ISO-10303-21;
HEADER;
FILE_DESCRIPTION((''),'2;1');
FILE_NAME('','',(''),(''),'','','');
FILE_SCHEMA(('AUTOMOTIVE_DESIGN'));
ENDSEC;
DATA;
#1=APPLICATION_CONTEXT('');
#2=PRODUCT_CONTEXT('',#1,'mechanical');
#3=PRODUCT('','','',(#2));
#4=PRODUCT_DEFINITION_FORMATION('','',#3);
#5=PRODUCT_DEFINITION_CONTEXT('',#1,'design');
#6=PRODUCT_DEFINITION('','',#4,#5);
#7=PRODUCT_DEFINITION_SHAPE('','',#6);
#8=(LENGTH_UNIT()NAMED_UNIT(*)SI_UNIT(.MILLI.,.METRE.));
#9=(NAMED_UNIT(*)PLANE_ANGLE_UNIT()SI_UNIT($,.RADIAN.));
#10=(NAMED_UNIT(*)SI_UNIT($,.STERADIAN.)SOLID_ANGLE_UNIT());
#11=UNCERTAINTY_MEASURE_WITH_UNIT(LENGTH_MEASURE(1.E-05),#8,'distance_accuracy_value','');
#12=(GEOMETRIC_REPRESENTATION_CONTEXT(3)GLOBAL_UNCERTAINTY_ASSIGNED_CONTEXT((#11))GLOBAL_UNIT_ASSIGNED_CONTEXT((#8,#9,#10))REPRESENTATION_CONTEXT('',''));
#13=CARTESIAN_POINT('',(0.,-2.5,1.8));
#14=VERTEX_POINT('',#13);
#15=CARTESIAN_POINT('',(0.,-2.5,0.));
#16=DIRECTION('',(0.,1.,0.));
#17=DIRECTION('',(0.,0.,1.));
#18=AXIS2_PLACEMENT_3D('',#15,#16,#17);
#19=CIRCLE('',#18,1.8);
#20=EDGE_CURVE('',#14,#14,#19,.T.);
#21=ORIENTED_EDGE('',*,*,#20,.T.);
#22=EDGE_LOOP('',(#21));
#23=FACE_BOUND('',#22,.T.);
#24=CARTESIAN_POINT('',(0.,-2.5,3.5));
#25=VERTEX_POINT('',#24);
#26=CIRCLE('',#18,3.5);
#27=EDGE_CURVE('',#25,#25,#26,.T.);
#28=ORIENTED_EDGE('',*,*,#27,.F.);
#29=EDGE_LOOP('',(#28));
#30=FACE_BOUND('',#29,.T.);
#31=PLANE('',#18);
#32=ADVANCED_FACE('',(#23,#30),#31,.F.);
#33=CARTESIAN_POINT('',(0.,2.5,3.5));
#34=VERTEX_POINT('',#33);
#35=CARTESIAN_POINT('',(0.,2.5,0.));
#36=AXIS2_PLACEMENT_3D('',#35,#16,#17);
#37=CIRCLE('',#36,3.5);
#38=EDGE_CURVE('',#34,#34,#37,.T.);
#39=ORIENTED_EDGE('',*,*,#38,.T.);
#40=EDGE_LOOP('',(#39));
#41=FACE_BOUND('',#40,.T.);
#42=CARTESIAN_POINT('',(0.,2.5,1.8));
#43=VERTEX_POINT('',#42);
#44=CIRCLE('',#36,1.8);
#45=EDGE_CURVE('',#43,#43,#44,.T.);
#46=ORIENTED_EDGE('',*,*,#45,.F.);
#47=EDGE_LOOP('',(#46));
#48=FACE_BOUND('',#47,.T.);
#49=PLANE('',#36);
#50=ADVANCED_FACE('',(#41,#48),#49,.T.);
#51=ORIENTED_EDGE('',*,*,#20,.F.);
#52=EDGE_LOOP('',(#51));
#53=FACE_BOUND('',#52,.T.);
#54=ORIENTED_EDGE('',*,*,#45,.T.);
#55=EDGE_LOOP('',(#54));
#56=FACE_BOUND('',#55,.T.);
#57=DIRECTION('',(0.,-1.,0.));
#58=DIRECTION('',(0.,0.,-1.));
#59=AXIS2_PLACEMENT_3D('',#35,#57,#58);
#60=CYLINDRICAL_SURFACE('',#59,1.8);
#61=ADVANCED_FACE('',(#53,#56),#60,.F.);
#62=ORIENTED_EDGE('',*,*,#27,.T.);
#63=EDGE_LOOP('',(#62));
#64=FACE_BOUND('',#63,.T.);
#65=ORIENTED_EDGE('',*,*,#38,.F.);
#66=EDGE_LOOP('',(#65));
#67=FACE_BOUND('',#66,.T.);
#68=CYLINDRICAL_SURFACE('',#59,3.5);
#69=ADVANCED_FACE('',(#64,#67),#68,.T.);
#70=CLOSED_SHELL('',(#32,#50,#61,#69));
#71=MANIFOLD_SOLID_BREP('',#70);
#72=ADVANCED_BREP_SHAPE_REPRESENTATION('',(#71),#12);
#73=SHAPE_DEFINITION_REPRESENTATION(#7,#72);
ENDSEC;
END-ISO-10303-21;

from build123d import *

# Parameters (mm, degrees)
SKETCH1_R           = 3.5
SKETCH1_R_2         = 1.8
BOSS_EXTRUDE1_DEPTH = 2.5


with BuildPart() as part:
    # Sketch1 → Boss-Extrude1 (new body, symmetric)
    with BuildSketch(Plane(origin=(0, 0, 0), x_dir=(1, 0, 0), z_dir=(0, 1, 0))):
        Circle(SKETCH1_R)
        Circle(SKETCH1_R_2, mode=Mode.SUBTRACT)
    extrude(amount=BOSS_EXTRUDE1_DEPTH, both=True)


solid = part.part
